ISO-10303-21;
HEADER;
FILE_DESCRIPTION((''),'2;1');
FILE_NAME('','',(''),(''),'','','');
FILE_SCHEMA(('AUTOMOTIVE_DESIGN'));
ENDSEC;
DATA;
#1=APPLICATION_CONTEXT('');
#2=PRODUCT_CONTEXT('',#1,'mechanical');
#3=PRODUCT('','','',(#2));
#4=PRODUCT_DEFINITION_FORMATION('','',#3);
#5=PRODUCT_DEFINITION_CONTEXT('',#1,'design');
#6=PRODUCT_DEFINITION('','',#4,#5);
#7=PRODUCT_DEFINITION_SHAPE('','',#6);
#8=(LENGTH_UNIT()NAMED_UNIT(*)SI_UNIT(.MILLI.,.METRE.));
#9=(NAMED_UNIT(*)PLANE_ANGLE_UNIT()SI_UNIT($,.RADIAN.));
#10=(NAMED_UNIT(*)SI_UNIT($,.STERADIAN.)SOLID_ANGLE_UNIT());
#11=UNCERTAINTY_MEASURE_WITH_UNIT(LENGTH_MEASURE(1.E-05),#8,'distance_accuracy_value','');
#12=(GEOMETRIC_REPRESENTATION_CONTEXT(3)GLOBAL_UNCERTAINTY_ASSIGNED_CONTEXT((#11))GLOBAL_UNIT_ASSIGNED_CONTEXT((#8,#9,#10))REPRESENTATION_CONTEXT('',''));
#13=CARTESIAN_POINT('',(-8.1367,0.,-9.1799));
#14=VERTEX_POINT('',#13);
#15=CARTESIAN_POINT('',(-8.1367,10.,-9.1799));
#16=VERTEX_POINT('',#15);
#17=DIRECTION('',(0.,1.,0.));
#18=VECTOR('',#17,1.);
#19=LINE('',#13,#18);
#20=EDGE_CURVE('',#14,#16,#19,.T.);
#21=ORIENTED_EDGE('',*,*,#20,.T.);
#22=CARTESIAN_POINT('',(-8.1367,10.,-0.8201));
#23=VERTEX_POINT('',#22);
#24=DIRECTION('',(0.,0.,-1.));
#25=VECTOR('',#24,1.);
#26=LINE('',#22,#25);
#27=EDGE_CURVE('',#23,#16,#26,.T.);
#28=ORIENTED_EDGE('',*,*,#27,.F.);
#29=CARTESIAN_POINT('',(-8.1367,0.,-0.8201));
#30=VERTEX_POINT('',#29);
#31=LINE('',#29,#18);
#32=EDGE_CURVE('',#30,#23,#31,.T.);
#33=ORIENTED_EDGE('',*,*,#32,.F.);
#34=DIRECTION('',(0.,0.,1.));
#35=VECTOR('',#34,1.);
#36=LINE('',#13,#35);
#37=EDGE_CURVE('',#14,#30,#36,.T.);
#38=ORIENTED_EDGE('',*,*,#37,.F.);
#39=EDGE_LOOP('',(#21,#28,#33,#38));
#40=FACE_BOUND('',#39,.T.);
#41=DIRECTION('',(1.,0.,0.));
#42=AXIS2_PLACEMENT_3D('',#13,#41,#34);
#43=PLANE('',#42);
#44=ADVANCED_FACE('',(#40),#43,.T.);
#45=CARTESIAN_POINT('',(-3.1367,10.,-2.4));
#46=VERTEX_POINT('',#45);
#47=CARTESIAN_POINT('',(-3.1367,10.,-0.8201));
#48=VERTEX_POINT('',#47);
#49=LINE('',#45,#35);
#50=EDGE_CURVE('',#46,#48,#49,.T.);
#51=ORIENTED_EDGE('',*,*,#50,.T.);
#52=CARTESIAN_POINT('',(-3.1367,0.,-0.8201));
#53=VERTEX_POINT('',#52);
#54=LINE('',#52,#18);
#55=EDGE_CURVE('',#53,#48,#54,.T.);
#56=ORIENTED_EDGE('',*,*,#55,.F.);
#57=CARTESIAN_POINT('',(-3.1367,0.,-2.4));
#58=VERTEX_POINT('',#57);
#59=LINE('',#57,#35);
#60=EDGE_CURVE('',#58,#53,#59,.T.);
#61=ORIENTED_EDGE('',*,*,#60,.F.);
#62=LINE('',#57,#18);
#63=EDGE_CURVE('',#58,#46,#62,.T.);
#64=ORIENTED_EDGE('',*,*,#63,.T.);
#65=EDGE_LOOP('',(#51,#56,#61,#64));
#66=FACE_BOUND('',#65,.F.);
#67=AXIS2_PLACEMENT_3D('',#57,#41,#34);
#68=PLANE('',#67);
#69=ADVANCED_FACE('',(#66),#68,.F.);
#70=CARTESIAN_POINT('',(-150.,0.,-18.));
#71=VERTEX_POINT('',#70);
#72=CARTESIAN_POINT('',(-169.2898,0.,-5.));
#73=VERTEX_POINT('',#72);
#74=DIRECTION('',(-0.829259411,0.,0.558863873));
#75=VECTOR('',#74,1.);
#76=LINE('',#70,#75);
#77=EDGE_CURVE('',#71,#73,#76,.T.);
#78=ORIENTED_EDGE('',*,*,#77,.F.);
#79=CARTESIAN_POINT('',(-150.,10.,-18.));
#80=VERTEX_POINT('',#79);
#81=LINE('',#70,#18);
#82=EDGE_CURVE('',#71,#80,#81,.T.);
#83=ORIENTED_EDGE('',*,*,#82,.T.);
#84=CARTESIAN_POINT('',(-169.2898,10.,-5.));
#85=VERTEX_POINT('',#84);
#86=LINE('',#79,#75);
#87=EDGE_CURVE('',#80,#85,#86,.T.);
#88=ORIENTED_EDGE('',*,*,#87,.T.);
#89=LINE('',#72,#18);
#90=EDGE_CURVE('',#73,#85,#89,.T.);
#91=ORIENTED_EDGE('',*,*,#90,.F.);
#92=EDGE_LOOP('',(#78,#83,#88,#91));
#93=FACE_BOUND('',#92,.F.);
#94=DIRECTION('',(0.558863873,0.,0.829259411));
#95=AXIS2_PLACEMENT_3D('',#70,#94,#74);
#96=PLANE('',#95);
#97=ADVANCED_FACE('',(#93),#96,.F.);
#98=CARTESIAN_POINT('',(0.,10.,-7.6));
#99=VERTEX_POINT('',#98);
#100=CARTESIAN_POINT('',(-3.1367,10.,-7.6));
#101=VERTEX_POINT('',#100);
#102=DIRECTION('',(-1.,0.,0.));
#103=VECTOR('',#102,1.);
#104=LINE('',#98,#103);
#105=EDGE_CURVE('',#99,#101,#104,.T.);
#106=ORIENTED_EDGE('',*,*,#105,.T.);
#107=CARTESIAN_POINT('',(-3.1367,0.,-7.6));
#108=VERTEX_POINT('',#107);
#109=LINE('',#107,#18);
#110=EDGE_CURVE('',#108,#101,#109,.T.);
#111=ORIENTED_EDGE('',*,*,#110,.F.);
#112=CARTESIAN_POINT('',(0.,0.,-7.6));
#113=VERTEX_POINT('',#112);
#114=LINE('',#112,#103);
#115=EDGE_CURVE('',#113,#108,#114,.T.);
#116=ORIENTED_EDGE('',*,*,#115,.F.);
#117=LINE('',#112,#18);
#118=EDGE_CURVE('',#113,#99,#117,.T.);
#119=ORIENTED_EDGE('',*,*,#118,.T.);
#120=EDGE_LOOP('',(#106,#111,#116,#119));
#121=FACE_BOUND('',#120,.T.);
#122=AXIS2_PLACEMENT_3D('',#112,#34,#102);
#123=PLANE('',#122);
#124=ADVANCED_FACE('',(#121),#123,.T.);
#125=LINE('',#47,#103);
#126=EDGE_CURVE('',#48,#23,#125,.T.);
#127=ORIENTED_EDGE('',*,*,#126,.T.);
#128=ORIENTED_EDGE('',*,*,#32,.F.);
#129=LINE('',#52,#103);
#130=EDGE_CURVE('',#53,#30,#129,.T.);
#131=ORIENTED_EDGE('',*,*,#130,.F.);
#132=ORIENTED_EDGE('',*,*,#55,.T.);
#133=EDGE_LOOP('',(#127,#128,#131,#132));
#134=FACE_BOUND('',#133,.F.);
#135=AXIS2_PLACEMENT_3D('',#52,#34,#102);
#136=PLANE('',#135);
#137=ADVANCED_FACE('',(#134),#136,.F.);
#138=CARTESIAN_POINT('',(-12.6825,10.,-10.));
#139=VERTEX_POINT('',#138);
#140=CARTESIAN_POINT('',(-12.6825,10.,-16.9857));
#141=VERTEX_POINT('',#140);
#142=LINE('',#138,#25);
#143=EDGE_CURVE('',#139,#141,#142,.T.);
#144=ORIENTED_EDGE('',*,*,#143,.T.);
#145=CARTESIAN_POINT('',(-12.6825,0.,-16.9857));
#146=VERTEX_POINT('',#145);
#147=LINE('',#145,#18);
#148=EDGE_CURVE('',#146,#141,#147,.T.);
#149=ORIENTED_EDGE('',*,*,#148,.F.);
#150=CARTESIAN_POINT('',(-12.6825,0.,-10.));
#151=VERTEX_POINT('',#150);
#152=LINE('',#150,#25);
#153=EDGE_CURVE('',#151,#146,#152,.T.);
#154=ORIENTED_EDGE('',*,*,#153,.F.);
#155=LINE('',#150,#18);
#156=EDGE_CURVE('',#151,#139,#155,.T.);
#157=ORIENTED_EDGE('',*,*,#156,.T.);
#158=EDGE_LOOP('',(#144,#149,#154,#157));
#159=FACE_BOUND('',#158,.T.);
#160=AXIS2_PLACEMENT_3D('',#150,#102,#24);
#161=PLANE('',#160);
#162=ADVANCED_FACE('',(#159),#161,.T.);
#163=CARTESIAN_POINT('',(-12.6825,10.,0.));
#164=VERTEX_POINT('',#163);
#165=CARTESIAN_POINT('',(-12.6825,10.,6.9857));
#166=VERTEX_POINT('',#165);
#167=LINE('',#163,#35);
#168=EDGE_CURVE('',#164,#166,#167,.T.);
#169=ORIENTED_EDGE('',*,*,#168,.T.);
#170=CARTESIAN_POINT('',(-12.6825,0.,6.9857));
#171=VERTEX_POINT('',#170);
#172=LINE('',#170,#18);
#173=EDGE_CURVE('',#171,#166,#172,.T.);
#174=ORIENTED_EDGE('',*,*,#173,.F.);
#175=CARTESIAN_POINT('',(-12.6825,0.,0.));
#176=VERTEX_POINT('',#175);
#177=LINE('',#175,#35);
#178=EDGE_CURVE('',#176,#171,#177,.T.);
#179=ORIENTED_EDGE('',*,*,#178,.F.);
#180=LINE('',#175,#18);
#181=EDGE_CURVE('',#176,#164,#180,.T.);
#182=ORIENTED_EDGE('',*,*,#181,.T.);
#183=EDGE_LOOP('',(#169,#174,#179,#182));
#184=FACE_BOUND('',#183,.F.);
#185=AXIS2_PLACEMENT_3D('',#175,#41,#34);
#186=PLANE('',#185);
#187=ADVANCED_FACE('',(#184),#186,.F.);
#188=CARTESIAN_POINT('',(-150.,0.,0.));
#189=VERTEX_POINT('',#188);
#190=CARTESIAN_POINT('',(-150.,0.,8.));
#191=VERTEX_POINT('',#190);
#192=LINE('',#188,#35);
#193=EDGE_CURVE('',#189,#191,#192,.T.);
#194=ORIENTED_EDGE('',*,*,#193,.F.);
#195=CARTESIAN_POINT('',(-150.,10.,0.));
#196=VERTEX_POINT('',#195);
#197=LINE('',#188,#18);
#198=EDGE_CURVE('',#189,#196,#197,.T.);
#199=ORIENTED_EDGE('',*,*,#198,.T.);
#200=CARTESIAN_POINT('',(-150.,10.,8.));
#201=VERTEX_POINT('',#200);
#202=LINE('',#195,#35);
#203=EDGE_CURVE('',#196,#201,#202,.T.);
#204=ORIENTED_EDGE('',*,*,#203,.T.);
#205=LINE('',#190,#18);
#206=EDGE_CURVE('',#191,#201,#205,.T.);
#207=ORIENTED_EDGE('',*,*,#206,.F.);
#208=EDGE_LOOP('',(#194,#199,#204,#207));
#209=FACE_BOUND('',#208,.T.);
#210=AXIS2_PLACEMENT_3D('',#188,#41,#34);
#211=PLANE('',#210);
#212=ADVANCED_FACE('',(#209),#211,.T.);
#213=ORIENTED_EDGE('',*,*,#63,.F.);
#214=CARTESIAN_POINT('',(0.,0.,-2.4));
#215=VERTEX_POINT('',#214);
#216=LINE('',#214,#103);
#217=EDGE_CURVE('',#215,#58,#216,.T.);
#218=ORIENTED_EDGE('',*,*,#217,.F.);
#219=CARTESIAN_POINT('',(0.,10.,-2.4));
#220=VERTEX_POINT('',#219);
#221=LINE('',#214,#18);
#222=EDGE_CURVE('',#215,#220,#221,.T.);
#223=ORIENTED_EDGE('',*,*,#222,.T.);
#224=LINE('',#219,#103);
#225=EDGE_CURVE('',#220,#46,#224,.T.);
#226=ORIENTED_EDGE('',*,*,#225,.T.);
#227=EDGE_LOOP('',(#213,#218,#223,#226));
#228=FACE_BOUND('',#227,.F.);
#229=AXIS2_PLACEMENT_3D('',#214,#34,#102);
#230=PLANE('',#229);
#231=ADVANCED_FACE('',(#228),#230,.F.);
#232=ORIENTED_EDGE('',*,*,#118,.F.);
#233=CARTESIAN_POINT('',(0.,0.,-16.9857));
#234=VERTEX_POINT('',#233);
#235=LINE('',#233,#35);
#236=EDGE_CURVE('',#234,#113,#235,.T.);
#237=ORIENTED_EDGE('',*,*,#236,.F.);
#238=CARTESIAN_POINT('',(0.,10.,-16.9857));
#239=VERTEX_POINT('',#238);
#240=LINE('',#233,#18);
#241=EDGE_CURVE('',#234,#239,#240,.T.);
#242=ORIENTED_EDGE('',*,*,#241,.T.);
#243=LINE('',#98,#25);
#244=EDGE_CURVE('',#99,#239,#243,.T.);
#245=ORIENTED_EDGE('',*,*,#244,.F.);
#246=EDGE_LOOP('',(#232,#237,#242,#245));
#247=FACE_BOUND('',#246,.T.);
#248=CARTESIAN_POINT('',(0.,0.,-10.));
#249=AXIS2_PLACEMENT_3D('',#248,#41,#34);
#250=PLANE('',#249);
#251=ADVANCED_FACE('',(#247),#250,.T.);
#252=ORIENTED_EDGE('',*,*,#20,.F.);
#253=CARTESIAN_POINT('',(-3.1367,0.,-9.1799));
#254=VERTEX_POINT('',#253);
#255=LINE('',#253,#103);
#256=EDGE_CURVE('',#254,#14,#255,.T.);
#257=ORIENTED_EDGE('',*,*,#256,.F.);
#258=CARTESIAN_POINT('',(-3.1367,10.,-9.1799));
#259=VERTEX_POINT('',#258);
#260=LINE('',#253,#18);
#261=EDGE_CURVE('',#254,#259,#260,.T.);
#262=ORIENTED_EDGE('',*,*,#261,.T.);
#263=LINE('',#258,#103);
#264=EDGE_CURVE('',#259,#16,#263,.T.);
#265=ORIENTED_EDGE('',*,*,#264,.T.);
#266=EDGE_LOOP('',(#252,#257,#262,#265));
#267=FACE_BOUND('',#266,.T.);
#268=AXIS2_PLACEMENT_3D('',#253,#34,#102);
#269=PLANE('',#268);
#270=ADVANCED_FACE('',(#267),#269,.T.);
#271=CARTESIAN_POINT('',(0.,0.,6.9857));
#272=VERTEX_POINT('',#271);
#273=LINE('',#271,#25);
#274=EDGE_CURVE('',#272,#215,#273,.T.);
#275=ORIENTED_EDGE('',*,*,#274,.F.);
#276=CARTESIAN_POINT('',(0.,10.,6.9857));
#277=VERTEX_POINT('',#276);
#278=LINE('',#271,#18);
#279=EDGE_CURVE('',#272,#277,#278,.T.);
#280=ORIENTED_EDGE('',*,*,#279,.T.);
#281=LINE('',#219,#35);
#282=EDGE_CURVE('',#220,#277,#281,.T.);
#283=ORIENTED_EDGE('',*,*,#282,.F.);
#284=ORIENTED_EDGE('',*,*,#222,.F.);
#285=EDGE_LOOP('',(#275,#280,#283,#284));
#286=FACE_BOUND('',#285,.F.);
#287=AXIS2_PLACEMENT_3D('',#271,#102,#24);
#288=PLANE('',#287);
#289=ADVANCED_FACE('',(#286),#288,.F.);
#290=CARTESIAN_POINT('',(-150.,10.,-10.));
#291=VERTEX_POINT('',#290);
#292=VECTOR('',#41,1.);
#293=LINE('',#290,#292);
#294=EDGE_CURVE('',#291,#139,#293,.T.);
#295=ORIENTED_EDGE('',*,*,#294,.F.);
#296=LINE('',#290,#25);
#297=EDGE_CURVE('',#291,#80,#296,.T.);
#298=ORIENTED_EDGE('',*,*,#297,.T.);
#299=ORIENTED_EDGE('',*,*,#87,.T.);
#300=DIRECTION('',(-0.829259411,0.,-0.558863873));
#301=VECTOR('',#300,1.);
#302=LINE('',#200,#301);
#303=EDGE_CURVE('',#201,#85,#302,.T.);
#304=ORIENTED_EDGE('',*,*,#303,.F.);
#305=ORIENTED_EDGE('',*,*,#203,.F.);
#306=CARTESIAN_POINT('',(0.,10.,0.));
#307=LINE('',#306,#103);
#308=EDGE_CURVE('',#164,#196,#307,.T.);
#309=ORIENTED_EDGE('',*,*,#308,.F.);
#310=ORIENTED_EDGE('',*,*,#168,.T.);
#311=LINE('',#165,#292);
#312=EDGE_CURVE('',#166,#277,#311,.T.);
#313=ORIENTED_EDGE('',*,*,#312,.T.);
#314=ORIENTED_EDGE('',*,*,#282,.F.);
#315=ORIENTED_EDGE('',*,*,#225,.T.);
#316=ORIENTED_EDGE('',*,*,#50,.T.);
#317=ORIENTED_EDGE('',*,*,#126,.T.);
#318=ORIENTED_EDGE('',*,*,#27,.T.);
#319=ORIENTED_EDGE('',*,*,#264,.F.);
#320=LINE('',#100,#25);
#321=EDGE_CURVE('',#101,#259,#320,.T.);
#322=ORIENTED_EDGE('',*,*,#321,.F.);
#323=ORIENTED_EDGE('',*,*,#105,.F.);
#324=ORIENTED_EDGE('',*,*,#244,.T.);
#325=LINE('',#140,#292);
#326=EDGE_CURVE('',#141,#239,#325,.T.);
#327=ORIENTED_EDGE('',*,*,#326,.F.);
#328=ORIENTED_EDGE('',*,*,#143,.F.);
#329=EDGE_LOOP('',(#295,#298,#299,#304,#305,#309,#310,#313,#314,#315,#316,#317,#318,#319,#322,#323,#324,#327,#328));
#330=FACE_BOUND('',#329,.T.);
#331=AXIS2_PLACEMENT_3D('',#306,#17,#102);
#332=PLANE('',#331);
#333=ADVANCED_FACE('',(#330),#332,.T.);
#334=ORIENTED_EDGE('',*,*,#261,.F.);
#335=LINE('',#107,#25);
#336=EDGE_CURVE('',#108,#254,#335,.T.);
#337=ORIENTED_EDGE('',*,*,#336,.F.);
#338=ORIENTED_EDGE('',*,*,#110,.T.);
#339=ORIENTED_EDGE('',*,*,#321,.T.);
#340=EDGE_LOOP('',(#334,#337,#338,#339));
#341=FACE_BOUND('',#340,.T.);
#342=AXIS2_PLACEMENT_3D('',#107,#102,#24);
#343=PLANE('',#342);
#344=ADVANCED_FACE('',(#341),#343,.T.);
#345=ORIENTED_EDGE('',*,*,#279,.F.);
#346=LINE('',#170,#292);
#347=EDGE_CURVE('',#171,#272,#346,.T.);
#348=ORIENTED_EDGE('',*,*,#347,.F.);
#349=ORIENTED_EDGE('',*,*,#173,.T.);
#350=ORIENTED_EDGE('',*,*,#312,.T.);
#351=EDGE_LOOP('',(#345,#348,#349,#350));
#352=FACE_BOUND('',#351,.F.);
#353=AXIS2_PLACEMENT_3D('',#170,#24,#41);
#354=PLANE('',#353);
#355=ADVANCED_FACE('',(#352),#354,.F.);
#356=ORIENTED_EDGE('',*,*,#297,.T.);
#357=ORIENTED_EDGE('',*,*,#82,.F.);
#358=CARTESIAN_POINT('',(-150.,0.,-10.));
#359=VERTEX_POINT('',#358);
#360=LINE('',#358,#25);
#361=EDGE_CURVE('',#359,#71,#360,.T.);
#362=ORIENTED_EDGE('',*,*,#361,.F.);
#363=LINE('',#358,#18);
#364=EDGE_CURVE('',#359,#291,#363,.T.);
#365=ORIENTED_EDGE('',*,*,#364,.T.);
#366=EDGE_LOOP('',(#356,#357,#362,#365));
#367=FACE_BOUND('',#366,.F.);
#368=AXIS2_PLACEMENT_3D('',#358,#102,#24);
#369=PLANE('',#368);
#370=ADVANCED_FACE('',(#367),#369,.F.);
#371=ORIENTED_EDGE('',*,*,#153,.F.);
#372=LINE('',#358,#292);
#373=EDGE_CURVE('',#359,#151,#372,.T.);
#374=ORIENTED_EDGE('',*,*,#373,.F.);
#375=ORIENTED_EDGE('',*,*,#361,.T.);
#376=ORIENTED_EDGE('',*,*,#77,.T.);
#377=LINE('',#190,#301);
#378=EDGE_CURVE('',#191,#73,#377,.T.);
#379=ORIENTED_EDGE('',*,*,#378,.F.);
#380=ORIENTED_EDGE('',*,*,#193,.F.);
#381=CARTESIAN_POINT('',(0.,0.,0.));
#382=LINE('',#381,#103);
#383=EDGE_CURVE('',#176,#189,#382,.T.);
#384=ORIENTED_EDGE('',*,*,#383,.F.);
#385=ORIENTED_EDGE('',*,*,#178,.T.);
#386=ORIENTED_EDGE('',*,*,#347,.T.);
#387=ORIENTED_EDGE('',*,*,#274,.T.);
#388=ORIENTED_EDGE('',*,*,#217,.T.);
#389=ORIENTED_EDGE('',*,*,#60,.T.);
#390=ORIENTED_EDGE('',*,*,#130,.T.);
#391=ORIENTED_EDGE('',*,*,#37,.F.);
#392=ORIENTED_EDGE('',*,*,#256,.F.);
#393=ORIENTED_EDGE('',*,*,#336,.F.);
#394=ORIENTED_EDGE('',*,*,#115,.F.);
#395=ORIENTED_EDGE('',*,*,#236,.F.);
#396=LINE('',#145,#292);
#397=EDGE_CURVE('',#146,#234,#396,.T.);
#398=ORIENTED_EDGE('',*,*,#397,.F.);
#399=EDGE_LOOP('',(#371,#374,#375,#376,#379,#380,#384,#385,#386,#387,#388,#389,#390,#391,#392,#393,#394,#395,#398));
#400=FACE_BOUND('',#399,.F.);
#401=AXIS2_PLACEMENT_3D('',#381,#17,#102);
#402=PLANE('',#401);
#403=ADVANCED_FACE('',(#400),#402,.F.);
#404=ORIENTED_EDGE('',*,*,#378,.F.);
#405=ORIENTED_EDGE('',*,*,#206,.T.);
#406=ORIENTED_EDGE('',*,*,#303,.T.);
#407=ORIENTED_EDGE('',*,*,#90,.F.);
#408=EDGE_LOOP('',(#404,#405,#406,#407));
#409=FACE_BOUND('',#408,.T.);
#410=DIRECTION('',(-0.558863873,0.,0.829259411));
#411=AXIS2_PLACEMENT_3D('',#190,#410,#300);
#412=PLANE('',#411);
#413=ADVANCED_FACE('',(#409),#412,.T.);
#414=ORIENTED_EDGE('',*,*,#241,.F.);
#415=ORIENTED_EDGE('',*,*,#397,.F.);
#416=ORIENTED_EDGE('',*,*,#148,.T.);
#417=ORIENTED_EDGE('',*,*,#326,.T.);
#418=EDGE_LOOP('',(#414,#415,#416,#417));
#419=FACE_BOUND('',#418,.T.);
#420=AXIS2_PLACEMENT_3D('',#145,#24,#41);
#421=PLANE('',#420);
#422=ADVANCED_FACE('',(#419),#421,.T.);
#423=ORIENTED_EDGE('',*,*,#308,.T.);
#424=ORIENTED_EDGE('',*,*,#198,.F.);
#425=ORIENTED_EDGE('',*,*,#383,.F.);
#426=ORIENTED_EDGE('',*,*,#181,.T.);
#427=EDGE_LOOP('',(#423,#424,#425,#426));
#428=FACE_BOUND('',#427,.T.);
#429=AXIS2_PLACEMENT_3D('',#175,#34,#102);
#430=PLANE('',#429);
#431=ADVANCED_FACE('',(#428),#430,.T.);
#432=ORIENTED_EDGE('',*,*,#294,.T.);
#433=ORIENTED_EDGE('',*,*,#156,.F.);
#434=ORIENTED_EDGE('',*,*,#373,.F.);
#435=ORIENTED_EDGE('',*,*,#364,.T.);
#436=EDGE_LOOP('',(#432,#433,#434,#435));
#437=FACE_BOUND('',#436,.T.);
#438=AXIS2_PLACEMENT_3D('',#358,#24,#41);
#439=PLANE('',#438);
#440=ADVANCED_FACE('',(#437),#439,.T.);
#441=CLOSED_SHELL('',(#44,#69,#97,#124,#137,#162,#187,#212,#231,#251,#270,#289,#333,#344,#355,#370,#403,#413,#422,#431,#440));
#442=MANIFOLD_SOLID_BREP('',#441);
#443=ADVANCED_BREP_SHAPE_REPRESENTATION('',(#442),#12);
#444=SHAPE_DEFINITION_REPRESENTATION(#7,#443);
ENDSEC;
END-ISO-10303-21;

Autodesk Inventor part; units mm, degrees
ref_plane "YZ Plane" through (0, 0, 0) normal (1, 0, 0) x (0, 1, 0)
ref_plane "XZ Plane" through (0, 0, 0) normal (0, 1, 0) x (-1, 0, 0)
ref_plane "XY Plane" through (0, 0, 0) normal (0, 0, 1) x (1, 0, 0)
sketch "Sketch1" plane through (0, 0, 0) normal (0, 1, 0) x (-1, 0, 0)
  line L0 (0, 0) -> (150, 0)
  line L1 (150, 0) -> (150, -10)
  line L2 (150, -10) -> (0, -10)
  line L3 (0, -10) -> (0, 0)
  line L4 (144.6787, -5) -> (169.2898, -5)
  line L5 (150, 0) -> (150, 8)
  line L6 (150, 8) -> (169.2898, -5)
  line L7 (150, -10) -> (150, -18)
  line L8 (150, -18) -> (169.2898, -5)
  line L9 (0, -7.6) -> (3.1367, -7.6)
  line L10 (3.1367, -7.6) -> (3.1367, -9.1799)
  line L11 (3.1367, -9.1799) -> (8.1367, -9.1799)
  line L12 (8.1367, -9.1799) -> (8.1367, -5)
  line L13 (0, -2.4) -> (3.1367, -2.4)
  line L14 (3.1367, -2.4) -> (3.1367, -0.8201)
  line L15 (3.1367, -0.8201) -> (8.1367, -0.8201)
  line L16 (8.1367, -0.8201) -> (8.1367, -5)
  line L17 (12.6825, 0) -> (12.6825, 6.9857)
  line L18 (12.6825, 6.9857) -> (0, 6.9857)
  line L19 (0, 6.9857) -> (0, -2.4)
  line L20 (12.6825, -10) -> (12.6825, -16.9857)
  line L21 (12.6825, -16.9857) -> (0, -16.9857)
  line L22 (0, -16.9857) -> (0, -7.6)
  point P0 (0, -2.4)
  point P1 (1.5684, -7.6)
  point P2 (1.5684, -2.4)
  point P3 (3.1367, -1.61)
  dimension "d0" = 10
  dimension "d1" = 150
  dimension "d2" = 8
  dimension "d3" = 5
  dimension "d6" = 5.2
  dimension "d7" = 5
extrude "Extrusion1" add sketch "Sketch1" along normal blind 10 contours L19 L18 L17 L0 | L0 L1 L2 L3 L9 L10 L11 L12 L16 L15 L14 L13 | L5 L6 L4 L1 | L4 L8 L7 L1 | L2 L20 L21 L22
properties part number "Vector" material "Wood (Birch)"
